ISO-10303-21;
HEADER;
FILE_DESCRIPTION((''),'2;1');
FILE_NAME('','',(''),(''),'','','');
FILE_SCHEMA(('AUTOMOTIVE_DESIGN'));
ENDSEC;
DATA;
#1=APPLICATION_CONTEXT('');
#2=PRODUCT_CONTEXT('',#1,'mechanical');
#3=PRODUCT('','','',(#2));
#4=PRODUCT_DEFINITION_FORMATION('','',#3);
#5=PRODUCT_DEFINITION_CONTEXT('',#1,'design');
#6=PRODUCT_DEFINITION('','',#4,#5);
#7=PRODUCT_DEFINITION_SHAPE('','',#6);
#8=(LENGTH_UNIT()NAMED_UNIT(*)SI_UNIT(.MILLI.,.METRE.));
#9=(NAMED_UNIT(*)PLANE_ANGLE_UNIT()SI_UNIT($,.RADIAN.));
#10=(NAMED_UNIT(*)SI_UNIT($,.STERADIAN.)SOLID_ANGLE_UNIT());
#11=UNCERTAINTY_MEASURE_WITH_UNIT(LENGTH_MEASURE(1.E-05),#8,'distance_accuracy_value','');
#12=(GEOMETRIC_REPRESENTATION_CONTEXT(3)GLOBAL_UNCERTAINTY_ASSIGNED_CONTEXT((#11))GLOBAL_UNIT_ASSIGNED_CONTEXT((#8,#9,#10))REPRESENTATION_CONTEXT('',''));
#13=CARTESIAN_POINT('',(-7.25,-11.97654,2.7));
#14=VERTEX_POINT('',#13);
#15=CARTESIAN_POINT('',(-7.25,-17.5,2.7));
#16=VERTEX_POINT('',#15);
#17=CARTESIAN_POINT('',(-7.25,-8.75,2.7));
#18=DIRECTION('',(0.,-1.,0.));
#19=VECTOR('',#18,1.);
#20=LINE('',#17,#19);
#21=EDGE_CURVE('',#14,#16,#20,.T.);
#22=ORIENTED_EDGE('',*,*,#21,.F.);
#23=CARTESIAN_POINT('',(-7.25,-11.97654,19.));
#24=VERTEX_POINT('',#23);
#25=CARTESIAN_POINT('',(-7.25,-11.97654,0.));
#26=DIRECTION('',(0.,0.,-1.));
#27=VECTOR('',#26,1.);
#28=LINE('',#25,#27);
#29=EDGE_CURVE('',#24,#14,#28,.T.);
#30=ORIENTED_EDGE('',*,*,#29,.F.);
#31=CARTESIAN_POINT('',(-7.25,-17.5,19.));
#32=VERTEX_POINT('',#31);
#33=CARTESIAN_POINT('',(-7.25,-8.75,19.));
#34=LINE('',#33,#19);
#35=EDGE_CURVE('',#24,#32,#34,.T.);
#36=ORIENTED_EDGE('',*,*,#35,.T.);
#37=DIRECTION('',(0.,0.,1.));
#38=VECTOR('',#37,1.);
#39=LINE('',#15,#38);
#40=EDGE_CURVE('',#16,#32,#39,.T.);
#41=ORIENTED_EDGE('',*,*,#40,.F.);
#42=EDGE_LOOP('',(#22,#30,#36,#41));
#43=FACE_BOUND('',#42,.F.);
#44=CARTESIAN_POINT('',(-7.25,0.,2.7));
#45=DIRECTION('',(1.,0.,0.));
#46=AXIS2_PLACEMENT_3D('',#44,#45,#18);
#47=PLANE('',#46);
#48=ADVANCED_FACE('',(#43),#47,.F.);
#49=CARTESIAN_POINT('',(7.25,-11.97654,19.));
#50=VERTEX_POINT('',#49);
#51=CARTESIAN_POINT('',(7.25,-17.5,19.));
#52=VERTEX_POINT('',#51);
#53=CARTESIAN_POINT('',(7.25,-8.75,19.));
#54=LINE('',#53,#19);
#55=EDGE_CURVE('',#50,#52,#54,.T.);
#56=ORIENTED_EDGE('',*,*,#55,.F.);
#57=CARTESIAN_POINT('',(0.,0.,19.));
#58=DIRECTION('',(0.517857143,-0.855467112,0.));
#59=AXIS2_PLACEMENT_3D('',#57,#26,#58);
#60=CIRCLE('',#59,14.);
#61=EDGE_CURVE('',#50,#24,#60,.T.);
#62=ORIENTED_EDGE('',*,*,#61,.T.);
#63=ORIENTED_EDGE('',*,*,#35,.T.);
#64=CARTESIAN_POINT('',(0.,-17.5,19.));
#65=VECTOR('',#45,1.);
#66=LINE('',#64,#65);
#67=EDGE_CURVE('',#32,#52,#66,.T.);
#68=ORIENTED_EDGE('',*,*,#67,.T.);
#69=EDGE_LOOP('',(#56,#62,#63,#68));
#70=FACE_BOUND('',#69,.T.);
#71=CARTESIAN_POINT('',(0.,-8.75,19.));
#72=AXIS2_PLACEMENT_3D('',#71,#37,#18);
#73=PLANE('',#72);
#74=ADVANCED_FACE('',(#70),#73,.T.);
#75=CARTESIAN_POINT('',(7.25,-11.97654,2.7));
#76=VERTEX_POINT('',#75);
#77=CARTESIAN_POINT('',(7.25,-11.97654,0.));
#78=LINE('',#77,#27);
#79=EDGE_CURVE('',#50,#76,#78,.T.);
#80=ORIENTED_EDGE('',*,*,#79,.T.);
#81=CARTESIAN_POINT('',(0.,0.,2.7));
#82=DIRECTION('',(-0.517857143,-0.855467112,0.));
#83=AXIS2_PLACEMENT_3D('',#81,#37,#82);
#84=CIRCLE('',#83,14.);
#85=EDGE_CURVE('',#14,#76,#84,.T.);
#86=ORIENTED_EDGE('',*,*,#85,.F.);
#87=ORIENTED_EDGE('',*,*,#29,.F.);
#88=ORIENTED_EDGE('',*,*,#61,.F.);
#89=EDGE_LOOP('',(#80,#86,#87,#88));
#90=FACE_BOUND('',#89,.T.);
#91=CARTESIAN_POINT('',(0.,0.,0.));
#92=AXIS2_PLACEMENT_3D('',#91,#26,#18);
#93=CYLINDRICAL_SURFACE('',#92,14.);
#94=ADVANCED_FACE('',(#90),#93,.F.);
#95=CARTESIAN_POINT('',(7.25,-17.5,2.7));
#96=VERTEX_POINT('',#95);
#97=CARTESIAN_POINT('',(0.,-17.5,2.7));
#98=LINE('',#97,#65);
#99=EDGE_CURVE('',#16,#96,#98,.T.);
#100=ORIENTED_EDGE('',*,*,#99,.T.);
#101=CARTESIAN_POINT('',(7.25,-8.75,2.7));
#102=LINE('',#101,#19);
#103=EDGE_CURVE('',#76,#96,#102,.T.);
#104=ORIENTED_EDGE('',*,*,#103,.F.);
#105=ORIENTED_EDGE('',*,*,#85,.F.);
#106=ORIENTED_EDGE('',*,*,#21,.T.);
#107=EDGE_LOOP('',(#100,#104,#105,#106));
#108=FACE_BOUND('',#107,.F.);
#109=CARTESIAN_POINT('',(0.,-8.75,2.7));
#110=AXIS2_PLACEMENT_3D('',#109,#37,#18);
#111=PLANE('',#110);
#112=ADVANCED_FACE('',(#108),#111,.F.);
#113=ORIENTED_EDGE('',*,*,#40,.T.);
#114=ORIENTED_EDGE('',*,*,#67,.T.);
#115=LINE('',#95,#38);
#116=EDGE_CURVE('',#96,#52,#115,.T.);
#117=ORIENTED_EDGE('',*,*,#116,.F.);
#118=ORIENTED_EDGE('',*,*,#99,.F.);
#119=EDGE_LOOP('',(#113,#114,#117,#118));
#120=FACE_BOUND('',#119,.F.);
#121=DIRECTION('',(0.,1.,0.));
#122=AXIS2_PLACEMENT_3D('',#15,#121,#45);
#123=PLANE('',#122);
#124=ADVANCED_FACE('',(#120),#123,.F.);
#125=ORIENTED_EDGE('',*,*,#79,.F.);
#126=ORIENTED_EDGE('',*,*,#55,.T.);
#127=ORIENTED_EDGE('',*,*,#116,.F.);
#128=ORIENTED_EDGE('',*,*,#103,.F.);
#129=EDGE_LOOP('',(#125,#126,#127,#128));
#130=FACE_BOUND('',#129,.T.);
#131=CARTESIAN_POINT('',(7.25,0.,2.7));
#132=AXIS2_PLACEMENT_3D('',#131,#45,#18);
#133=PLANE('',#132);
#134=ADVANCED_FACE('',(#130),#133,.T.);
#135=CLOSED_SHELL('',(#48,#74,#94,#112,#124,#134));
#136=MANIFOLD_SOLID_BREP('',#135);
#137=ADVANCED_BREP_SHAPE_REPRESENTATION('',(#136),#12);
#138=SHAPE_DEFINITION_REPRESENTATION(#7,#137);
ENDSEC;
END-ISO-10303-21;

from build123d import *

# Parameters (mm, degrees)
CYLINDER001_R       = 14
CYLINDER001_DEPTH   = 19
BOX_W               = 17.5
BOX_H               = 14.5
BOX_DEPTH           = 16.3
CUT_PLACEMENT_ANGLE = 90


with BuildPart() as cylinder001:
    # Cylinder001 → Cylinder001 (new body)
    with BuildSketch(Plane.XY):
        Circle(CYLINDER001_R)
    extrude(amount=CYLINDER001_DEPTH)


with BuildPart() as cut:
    # Box → Box (new body)
    with BuildSketch(Plane(origin=(0, -7.25, 2.7), x_dir=(1, 0, 0), z_dir=(0, 0, 1))):
        with Locations((8.75, 7.25)):
            Rectangle(BOX_W, BOX_H)
    extrude(amount=BOX_DEPTH)

    # Cut: cut Cylinder001
    add(cylinder001.part, mode=Mode.SUBTRACT)


with BuildPart() as cut_1:
    # Cut placement: moved
    add(cut.part.rotate(Axis((0, 0, 0), (0, 0, -1)), CUT_PLACEMENT_ANGLE))


solid = cut_1.part
